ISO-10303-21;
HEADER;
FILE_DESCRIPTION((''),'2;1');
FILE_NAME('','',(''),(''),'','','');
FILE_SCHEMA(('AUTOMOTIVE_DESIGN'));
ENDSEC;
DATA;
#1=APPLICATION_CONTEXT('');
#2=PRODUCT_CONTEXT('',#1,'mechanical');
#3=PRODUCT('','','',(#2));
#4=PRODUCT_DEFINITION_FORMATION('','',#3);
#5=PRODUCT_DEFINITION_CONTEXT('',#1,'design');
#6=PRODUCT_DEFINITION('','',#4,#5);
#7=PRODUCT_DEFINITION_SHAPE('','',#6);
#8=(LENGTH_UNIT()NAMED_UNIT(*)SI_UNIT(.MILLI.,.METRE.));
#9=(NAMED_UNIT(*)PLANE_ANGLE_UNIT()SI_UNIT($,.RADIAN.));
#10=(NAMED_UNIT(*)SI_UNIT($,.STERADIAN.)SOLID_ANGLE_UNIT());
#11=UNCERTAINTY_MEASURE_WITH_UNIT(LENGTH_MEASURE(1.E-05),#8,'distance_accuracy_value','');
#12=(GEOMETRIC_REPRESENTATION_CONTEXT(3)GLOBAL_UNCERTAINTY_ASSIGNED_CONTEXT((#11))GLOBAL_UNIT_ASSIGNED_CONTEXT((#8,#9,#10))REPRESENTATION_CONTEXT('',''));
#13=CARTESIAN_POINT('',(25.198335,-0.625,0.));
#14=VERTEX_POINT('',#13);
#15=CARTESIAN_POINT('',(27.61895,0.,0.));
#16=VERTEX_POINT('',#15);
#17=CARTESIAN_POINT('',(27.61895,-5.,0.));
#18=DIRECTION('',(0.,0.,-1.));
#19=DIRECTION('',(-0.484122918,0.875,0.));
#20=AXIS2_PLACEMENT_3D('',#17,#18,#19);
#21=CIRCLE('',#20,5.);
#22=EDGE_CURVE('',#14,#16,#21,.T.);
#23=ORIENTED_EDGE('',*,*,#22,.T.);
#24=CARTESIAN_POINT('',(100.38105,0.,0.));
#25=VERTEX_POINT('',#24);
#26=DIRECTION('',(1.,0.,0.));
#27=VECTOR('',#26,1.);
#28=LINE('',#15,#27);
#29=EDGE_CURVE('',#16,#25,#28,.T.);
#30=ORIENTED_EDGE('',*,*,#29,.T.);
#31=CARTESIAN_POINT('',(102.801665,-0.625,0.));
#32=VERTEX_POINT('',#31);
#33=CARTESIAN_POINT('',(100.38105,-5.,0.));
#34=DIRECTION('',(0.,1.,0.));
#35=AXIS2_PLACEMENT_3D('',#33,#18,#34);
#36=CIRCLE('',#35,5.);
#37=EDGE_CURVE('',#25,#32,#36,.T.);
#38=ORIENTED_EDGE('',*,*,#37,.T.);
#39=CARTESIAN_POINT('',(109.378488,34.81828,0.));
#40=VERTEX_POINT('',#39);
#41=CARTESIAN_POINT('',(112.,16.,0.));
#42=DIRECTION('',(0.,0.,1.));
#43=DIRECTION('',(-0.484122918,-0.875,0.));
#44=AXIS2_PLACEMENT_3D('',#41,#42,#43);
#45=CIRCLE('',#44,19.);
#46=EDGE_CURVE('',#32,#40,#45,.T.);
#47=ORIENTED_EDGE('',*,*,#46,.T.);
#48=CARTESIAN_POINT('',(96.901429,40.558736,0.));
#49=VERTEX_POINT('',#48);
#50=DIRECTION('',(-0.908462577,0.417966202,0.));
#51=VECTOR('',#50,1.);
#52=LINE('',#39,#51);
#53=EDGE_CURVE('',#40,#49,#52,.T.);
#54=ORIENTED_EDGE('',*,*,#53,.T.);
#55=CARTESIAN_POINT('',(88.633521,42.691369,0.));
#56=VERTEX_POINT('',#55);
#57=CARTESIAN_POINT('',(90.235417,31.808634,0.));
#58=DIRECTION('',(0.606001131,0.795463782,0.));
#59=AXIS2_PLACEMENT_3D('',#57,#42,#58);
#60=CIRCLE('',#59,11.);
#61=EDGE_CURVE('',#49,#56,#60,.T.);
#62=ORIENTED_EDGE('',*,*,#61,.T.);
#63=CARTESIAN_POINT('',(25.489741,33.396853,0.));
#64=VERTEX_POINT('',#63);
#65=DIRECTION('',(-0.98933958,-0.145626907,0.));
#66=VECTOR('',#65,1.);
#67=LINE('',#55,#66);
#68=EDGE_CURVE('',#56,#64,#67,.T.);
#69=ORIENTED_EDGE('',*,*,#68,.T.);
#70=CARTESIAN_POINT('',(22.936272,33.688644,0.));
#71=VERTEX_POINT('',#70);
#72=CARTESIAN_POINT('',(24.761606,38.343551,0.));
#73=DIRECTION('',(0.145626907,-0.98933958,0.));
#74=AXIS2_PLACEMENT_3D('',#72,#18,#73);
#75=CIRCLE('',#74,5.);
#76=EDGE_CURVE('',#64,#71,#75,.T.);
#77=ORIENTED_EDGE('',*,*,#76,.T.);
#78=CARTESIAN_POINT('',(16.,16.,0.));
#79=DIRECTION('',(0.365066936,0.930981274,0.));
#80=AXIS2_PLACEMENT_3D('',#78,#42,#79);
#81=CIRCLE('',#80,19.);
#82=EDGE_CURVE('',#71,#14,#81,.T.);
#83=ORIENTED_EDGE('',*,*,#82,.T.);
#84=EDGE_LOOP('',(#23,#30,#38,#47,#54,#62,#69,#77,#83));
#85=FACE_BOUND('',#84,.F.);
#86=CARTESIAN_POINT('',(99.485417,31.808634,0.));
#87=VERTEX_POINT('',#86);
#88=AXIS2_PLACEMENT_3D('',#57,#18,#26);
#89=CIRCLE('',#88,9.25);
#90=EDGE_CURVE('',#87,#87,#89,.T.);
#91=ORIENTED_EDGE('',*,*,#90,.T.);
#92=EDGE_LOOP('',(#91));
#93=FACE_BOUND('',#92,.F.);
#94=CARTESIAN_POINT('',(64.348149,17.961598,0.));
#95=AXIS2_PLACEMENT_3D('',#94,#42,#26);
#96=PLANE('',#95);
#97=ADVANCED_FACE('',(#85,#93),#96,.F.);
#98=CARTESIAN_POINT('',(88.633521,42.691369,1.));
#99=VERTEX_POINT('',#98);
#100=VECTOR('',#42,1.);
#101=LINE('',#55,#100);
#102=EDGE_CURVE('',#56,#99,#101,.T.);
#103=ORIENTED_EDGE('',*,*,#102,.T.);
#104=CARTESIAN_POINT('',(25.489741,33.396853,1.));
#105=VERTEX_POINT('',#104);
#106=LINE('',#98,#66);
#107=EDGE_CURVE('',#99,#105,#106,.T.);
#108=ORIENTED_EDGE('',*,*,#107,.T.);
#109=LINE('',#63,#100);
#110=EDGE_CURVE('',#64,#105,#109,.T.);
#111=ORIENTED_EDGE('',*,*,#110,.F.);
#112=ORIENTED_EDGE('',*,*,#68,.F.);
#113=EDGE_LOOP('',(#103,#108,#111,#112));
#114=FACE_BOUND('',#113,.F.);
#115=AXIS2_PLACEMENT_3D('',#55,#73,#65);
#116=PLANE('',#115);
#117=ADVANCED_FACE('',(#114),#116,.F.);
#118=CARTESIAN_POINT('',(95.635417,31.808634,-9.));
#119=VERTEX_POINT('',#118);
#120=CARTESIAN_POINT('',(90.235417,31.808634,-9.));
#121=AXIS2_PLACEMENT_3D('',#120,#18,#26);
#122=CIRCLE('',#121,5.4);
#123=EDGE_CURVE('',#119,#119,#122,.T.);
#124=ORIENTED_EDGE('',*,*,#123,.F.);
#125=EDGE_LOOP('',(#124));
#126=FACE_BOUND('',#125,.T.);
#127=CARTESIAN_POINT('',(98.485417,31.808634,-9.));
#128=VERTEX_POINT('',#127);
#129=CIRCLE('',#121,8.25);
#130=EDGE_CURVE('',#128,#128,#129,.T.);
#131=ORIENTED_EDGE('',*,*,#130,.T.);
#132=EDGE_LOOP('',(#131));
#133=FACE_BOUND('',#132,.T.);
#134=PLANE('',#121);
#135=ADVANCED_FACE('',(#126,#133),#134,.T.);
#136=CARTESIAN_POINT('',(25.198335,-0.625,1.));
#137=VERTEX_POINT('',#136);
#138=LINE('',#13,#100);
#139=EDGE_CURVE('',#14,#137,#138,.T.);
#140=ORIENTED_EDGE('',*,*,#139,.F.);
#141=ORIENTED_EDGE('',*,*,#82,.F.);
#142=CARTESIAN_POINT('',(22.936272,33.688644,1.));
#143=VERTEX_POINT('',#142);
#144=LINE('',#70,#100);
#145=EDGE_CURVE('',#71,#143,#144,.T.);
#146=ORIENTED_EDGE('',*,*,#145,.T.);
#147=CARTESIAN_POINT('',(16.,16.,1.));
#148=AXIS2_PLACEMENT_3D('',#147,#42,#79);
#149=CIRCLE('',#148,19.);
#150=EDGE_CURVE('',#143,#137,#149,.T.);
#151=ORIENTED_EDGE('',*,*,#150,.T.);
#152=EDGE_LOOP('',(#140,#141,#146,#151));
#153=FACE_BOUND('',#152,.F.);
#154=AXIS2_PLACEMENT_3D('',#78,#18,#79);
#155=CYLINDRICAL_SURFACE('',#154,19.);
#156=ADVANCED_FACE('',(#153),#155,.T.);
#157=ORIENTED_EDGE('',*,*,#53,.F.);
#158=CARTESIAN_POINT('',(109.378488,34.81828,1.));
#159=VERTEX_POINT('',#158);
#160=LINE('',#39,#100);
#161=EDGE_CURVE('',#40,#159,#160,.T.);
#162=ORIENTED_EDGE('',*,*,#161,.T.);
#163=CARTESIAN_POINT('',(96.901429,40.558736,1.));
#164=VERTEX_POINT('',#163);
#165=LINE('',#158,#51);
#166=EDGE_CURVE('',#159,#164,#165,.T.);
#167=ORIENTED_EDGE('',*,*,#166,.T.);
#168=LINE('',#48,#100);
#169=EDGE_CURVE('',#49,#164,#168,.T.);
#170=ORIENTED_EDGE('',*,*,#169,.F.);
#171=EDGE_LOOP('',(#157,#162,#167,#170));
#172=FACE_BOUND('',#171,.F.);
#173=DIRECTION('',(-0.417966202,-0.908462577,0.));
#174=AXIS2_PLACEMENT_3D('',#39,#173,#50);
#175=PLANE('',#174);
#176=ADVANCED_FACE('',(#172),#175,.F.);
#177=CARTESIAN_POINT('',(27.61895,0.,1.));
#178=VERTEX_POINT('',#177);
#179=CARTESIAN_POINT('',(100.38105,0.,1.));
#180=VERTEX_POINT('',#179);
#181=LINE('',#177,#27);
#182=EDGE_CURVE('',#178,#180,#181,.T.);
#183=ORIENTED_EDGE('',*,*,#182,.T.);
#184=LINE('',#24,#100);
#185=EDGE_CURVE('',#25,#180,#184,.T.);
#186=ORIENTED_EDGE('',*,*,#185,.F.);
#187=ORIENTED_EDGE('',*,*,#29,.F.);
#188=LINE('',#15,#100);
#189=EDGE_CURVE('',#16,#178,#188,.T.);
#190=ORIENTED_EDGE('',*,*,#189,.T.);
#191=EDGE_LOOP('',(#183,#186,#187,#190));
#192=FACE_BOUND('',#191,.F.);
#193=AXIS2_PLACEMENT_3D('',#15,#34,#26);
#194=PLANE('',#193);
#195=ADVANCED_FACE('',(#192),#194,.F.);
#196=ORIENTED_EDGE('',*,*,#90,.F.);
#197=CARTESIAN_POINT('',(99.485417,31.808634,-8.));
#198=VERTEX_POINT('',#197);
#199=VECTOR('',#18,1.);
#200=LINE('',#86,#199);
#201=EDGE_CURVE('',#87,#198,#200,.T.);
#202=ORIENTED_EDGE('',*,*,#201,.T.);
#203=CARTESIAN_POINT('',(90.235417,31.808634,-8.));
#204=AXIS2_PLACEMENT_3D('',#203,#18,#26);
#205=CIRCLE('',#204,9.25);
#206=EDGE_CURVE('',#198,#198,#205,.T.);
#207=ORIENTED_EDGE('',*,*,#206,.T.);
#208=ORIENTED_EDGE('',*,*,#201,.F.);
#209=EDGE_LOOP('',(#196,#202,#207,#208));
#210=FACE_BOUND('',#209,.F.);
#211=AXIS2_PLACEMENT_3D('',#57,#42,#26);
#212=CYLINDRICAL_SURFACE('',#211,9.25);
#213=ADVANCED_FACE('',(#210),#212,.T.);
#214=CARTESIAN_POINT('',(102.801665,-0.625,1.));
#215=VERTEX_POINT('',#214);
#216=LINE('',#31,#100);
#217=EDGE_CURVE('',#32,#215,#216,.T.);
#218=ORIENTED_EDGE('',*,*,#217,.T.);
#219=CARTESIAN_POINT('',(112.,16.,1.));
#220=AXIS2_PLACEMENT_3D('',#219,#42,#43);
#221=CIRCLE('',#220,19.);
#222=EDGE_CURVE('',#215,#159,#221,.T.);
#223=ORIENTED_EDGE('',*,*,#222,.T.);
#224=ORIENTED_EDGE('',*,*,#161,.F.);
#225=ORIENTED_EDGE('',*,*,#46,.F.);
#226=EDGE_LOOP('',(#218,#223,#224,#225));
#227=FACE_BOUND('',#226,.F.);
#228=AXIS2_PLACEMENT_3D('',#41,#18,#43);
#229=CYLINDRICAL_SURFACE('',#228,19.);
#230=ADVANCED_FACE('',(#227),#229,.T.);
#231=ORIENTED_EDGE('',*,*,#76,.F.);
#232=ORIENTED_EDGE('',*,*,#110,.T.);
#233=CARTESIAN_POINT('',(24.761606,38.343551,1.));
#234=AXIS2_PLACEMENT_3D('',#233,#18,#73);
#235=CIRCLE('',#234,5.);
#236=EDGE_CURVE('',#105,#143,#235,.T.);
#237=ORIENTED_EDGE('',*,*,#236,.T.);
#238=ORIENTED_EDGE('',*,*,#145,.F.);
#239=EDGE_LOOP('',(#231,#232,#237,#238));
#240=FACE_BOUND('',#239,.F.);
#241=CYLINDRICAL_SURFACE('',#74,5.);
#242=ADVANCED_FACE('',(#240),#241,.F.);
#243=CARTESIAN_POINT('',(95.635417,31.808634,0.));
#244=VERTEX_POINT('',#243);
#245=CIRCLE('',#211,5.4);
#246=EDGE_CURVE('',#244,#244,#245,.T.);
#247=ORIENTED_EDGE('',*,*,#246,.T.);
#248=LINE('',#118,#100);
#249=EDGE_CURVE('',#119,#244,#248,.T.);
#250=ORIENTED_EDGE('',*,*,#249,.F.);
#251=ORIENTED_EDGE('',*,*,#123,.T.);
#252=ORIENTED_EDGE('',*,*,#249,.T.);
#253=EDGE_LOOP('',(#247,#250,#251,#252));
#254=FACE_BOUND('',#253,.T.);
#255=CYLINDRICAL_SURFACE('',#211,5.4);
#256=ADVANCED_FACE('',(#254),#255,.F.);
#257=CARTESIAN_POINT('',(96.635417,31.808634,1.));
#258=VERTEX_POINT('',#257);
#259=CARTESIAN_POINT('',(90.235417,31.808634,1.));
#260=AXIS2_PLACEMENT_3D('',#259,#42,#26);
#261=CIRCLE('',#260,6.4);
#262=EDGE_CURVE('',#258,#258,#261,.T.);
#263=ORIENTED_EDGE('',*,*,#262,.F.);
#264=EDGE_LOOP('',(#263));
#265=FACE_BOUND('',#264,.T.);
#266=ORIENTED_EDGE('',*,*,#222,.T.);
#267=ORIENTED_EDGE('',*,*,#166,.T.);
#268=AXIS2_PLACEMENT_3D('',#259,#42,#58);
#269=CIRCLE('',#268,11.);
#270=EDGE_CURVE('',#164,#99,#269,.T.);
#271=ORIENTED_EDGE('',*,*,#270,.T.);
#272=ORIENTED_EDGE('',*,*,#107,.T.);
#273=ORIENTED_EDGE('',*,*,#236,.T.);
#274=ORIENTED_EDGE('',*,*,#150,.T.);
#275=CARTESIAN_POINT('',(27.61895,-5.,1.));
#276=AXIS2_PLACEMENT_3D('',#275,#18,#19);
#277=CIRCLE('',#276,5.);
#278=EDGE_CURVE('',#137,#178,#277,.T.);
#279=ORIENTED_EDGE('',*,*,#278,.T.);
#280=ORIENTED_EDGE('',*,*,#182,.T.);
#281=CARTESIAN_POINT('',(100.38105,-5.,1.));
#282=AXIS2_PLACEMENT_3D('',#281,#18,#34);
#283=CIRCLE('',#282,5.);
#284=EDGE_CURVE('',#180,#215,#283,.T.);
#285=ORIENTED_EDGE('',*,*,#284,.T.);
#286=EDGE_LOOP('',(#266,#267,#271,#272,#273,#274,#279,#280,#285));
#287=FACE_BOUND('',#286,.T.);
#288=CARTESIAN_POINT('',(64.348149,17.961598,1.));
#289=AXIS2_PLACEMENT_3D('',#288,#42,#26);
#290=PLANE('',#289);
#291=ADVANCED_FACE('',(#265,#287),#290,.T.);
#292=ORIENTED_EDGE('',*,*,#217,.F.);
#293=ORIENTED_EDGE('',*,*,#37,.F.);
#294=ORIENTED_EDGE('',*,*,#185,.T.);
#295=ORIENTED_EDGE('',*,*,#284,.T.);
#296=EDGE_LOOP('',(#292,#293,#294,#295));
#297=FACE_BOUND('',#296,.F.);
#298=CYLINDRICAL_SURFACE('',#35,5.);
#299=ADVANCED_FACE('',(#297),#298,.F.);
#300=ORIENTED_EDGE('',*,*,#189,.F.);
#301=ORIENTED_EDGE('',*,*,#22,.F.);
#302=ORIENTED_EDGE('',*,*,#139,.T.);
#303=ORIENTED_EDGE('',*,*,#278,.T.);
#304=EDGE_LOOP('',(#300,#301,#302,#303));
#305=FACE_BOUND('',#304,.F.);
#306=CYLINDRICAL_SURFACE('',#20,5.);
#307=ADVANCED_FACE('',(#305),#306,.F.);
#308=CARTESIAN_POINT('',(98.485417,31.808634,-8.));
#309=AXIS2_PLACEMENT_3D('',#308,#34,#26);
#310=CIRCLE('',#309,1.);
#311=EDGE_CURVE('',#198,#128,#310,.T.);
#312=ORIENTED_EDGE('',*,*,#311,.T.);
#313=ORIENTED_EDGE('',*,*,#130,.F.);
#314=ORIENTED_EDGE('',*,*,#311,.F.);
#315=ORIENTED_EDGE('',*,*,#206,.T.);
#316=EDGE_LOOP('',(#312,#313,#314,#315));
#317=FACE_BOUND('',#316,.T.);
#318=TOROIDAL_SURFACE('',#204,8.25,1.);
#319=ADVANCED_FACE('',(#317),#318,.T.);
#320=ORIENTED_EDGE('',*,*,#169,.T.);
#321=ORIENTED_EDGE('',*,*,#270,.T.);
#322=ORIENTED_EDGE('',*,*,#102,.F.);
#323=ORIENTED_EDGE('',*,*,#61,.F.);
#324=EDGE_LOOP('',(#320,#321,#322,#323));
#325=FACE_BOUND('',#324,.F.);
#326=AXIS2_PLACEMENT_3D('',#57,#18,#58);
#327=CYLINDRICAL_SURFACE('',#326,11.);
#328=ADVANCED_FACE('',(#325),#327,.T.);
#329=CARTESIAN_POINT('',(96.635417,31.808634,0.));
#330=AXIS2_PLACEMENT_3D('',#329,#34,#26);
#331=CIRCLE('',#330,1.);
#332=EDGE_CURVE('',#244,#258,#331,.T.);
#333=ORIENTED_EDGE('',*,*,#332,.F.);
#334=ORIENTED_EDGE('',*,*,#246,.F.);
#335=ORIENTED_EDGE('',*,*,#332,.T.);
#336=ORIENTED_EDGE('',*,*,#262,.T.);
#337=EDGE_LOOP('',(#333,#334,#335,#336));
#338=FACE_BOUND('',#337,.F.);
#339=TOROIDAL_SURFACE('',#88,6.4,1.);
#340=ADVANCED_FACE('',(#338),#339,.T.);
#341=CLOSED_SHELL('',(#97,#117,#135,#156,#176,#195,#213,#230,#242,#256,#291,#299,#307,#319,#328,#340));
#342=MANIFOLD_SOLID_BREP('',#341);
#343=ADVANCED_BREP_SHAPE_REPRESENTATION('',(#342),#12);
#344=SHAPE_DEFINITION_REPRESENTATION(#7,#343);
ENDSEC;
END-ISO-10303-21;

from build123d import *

# Parameters (mm, degrees)
F0_R     = 5.4
F1_DEPTH = 1
F2_R     = 9.25
F2_R_2   = 5.4
F3_DEPTH = 9
F4_R     = 1


with BuildPart() as f1:
    # F0 (on Top) → F1 (new body)
    with BuildSketch(Plane.XY):
        with BuildLine():
            ThreePointArc((25.1983354472, -0.625), (26.3689500386, -0.1587708172), (27.6189500386, 0))
            Line((27.6189500386, 0), (100.3810499614, 0))
            ThreePointArc((100.3810499614, 0), (101.6310499614, -0.1587708172), (102.8016645528, -0.625))
            ThreePointArc((102.8016645528, -0.625), (130.6811062012, 12.5335506494), (109.3784879352, 34.8182803278))
            Line((109.3784879352, 34.8182803278), (96.9014291121, 40.5587357108))
            ThreePointArc((96.9014291121, 40.5587357108), (92.9828428426, 42.4600025358), (88.6335206854, 42.691369483))
            Line((88.6335206854, 42.691369483), (25.4897410073, 33.3968526715))
            ThreePointArc((25.4897410073, 33.3968526715), (24.1939378933, 33.3758798492), (22.936271789, 33.688644201))
            ThreePointArc((22.936271789, 33.688644201), (-2.9588483895, 14.7501729139), (25.1983354472, -0.625))
        make_face()
        with Locations((90.2354166667, 31.8086341069)):
            Circle(F0_R, mode=Mode.SUBTRACT)
    extrude(amount=F1_DEPTH)

    # F2 (on face) → F3 (join)
    with BuildSketch(Plane(origin=(0, 0, 0), x_dir=(1, 0, 0), z_dir=(0, 0, -1))):
        with Locations((90.2354166667, -31.8086341069)):
            Circle(F2_R)
        with Locations((90.2354166667, -31.8086341069)):
            Circle(F2_R_2, mode=Mode.SUBTRACT)
    extrude(amount=F3_DEPTH)

    # F4
    f4_edges = [f1.edges().sort_by_distance(p)[0] for p in [
        (80.985417, 31.808634, -9),
        (84.835417, 31.808634, 1),
    ]]
    fillet(f4_edges, radius=F4_R)


solid = f1.part
